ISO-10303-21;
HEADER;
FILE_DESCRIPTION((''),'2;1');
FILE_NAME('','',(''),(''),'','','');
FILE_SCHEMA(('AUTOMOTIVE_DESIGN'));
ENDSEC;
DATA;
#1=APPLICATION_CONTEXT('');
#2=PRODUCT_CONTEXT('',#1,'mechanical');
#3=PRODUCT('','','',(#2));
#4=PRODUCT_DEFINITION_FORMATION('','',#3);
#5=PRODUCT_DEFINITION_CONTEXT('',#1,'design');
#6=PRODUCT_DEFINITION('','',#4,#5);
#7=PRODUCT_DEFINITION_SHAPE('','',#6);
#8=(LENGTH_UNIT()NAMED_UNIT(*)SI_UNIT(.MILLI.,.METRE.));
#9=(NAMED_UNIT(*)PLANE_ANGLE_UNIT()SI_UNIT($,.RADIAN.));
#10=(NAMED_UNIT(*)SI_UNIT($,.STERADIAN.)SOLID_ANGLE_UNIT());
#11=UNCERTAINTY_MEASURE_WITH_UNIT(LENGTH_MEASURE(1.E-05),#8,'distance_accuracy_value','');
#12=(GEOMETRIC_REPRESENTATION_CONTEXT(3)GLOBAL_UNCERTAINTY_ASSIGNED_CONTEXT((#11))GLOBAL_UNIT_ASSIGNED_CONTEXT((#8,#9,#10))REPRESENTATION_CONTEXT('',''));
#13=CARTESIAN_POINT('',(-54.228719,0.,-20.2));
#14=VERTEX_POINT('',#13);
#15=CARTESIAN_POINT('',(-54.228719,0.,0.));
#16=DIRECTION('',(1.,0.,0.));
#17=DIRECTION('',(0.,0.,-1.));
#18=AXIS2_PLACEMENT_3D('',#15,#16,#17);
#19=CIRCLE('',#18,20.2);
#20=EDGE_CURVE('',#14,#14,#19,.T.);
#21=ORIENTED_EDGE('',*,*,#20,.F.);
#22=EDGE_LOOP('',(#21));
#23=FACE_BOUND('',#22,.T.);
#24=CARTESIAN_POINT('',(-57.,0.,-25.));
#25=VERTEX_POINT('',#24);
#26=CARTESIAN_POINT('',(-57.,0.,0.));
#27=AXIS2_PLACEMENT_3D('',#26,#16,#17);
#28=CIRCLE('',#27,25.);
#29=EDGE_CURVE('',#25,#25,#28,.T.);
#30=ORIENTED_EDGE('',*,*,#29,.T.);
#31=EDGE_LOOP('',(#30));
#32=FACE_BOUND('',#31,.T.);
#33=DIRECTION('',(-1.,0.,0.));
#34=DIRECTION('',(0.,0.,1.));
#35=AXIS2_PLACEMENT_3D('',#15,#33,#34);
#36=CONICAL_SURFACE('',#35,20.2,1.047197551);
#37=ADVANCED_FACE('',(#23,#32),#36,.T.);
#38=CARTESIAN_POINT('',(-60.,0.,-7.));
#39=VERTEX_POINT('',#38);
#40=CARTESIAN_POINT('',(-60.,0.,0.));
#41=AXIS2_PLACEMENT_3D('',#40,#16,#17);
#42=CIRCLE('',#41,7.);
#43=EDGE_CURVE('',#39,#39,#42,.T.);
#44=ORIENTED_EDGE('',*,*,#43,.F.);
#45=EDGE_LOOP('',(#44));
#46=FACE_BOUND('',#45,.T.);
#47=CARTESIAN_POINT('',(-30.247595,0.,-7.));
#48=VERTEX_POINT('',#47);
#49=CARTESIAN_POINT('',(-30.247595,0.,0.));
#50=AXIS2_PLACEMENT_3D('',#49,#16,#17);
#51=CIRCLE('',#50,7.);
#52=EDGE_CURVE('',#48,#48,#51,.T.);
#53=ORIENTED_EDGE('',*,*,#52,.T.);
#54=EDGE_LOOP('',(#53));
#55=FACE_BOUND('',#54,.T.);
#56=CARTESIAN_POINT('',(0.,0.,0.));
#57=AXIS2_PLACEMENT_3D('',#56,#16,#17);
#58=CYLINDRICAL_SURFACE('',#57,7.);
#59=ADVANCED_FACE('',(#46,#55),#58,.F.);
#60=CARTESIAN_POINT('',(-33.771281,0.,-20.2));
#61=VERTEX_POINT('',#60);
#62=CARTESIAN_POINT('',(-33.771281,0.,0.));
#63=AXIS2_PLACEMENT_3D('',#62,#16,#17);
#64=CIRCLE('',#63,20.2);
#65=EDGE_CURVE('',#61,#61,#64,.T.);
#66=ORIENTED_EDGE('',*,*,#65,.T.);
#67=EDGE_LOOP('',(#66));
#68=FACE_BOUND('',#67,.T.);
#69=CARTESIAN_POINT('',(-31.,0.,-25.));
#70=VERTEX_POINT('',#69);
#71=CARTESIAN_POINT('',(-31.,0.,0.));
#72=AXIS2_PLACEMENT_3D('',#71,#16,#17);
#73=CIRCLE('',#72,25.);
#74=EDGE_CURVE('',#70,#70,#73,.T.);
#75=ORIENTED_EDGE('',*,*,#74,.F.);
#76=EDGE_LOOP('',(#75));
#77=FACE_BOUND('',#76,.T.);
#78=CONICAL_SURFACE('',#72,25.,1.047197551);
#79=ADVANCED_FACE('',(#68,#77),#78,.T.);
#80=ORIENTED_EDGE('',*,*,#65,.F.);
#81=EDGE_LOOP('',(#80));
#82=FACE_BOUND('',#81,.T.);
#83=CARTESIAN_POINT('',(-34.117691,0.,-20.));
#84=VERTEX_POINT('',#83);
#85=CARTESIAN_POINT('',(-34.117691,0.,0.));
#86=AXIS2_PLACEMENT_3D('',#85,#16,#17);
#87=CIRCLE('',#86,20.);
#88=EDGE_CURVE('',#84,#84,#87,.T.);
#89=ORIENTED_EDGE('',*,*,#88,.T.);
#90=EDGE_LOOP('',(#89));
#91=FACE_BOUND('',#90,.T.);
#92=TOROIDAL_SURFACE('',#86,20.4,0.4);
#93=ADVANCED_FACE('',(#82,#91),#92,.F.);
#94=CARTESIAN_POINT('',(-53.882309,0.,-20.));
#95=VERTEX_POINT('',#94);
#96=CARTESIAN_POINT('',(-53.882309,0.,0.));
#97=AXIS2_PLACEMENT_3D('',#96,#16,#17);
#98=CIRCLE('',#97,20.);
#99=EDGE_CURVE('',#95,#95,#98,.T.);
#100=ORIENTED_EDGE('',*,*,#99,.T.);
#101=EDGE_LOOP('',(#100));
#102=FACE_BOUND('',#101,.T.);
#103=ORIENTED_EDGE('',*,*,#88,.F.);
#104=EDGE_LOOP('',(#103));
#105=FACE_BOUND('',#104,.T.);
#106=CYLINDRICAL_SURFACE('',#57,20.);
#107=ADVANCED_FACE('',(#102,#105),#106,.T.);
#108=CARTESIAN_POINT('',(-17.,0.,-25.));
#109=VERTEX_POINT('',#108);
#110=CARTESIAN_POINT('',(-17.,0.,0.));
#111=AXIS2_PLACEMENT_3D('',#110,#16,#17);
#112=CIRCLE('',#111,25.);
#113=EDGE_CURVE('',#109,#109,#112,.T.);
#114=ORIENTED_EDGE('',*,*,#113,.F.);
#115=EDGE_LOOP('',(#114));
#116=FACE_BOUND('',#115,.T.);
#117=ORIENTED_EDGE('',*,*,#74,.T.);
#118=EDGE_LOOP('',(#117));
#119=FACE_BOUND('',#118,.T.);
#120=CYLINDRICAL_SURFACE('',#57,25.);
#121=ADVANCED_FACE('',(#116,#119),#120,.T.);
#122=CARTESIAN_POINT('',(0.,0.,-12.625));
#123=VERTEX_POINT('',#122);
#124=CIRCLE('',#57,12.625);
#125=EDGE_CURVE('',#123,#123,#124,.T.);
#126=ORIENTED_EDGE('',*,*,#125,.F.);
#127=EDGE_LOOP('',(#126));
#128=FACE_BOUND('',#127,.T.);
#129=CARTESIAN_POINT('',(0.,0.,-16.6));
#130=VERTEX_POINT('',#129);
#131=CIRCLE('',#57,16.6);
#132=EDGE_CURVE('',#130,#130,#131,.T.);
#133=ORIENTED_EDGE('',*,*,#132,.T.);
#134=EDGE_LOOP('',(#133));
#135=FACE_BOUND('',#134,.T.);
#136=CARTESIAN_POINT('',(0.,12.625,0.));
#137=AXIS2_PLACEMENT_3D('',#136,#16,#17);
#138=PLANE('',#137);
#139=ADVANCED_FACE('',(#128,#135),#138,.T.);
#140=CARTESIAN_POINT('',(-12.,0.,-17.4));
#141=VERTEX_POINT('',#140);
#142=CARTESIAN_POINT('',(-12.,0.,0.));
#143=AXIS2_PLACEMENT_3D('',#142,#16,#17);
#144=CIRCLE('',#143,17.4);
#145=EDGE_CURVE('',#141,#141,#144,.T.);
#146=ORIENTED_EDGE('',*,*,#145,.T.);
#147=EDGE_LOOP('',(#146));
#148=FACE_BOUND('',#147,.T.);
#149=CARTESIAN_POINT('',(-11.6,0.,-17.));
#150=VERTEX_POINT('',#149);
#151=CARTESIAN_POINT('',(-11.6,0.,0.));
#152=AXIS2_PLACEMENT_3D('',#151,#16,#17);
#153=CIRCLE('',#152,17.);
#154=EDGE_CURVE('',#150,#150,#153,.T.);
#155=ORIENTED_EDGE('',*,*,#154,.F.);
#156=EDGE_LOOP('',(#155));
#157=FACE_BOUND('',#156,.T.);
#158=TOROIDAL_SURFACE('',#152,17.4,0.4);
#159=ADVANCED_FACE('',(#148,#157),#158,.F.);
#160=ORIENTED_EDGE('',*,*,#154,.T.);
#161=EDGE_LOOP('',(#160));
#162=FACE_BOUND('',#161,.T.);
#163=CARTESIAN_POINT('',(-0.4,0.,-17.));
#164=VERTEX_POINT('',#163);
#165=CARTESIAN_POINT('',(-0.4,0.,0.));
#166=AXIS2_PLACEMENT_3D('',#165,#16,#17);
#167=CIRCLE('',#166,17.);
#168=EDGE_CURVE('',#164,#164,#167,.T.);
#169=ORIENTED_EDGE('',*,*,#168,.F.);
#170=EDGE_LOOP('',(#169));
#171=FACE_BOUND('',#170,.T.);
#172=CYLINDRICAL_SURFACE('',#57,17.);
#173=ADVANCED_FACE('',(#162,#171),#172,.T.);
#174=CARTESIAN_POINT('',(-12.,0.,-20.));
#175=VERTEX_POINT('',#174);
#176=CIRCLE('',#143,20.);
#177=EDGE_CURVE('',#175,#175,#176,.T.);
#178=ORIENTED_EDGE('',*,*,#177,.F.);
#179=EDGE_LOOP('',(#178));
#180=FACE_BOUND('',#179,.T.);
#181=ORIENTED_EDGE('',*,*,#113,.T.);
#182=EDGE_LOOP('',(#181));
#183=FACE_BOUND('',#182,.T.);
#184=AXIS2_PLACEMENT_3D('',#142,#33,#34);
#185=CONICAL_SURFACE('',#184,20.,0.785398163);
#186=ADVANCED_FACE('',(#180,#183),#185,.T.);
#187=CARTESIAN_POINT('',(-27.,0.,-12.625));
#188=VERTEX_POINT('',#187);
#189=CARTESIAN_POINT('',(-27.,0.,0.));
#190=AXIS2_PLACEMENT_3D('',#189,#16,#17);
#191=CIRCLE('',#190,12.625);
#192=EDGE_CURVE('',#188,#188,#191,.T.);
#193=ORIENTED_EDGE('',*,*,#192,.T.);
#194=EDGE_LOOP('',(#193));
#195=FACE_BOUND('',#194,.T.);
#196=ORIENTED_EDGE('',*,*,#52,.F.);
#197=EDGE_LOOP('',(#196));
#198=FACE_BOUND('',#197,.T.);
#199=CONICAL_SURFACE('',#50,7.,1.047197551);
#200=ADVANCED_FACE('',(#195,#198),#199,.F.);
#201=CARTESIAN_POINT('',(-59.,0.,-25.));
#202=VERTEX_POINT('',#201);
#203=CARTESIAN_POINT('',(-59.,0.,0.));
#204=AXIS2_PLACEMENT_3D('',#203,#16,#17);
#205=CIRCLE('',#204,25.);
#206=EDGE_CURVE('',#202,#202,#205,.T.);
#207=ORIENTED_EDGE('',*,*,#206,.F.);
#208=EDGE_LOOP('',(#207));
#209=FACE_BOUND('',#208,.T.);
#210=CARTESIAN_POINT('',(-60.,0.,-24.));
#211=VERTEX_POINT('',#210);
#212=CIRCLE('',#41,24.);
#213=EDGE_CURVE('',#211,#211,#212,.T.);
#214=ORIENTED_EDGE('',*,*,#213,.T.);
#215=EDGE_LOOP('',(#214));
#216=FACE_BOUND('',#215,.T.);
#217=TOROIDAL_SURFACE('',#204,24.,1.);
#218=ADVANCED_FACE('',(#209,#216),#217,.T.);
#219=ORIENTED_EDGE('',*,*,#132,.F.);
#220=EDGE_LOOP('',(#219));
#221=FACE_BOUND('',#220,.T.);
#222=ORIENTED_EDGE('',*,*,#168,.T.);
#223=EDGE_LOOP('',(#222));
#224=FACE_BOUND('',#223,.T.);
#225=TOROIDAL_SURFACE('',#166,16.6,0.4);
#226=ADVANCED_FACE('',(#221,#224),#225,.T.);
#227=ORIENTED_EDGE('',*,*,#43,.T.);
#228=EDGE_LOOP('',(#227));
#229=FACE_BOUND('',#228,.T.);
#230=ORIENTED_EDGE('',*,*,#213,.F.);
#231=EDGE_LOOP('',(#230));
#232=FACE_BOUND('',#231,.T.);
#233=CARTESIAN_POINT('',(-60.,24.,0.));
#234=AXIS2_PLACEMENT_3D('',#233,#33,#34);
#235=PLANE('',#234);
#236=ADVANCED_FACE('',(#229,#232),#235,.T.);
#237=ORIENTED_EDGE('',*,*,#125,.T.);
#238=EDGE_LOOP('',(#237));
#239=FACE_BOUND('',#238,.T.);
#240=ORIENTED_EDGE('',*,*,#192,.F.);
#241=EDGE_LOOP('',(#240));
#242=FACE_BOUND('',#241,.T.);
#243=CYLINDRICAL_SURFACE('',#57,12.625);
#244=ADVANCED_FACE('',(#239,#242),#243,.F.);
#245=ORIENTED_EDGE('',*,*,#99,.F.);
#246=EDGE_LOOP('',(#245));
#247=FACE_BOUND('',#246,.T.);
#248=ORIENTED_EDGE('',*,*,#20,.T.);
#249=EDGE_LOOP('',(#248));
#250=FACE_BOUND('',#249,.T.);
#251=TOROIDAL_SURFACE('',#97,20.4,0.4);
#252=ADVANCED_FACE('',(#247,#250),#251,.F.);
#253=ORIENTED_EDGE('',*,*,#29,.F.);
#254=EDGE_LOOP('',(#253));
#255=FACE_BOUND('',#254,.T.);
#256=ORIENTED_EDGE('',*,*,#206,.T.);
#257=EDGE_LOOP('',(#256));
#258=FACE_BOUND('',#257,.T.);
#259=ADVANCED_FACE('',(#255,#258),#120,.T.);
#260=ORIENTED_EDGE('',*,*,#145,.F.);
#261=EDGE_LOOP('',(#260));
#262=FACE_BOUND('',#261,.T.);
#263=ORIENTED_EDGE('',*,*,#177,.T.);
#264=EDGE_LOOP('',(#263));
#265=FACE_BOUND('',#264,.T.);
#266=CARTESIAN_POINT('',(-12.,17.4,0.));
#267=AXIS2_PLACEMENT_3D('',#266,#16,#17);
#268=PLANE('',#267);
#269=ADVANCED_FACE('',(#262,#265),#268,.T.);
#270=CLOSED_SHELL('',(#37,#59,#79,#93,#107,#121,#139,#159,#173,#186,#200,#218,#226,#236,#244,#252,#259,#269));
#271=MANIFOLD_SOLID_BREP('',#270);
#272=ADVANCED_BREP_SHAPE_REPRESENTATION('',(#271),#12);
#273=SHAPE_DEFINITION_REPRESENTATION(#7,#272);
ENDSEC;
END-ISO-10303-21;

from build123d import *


with BuildPart() as part:
    # Sketch1 → Base-Revolve (revolve)
    with BuildSketch(Plane.XY):
        with BuildLine():
            Line((0, 12.625), (0, 16.6))
            ThreePointArc((0, 16.6), (-0.117157288, 16.882842712), (-0.4, 17))
            Line((-0.4, 17), (-11.6, 17))
            ThreePointArc((-11.6, 17), (-11.882842712, 17.117157288), (-12, 17.4))
            Line((-12, 17.4), (-12, 20))
            Line((-12, 20), (-17, 25))
            Line((-17, 25), (-31, 25))
            Line((-31, 25), (-33.771281292, 20.2))
            ThreePointArc((-33.771281292, 20.2), (-33.917691454, 20.053589838), (-34.117691454, 20))
            Line((-34.117691454, 20), (-53.882308546, 20))
            ThreePointArc((-53.882308546, 20), (-54.082308546, 20.053589838), (-54.228718708, 20.2))
            Line((-54.228718708, 20.2), (-57, 25))
            Line((-57, 25), (-59, 25))
            ThreePointArc((-59, 25), (-59.707106781, 24.707106781), (-60, 24))
            Line((-60, 24), (-60, 7))
            Line((-60, 7), (-30.247595264, 7))
            Line((-30.247595264, 7), (-27, 12.625))
            Line((-27, 12.625), (0, 12.625))
        make_face()
    revolve(axis=Axis((0, 0, 0), (-1, 0, 0)))


solid = part.part
